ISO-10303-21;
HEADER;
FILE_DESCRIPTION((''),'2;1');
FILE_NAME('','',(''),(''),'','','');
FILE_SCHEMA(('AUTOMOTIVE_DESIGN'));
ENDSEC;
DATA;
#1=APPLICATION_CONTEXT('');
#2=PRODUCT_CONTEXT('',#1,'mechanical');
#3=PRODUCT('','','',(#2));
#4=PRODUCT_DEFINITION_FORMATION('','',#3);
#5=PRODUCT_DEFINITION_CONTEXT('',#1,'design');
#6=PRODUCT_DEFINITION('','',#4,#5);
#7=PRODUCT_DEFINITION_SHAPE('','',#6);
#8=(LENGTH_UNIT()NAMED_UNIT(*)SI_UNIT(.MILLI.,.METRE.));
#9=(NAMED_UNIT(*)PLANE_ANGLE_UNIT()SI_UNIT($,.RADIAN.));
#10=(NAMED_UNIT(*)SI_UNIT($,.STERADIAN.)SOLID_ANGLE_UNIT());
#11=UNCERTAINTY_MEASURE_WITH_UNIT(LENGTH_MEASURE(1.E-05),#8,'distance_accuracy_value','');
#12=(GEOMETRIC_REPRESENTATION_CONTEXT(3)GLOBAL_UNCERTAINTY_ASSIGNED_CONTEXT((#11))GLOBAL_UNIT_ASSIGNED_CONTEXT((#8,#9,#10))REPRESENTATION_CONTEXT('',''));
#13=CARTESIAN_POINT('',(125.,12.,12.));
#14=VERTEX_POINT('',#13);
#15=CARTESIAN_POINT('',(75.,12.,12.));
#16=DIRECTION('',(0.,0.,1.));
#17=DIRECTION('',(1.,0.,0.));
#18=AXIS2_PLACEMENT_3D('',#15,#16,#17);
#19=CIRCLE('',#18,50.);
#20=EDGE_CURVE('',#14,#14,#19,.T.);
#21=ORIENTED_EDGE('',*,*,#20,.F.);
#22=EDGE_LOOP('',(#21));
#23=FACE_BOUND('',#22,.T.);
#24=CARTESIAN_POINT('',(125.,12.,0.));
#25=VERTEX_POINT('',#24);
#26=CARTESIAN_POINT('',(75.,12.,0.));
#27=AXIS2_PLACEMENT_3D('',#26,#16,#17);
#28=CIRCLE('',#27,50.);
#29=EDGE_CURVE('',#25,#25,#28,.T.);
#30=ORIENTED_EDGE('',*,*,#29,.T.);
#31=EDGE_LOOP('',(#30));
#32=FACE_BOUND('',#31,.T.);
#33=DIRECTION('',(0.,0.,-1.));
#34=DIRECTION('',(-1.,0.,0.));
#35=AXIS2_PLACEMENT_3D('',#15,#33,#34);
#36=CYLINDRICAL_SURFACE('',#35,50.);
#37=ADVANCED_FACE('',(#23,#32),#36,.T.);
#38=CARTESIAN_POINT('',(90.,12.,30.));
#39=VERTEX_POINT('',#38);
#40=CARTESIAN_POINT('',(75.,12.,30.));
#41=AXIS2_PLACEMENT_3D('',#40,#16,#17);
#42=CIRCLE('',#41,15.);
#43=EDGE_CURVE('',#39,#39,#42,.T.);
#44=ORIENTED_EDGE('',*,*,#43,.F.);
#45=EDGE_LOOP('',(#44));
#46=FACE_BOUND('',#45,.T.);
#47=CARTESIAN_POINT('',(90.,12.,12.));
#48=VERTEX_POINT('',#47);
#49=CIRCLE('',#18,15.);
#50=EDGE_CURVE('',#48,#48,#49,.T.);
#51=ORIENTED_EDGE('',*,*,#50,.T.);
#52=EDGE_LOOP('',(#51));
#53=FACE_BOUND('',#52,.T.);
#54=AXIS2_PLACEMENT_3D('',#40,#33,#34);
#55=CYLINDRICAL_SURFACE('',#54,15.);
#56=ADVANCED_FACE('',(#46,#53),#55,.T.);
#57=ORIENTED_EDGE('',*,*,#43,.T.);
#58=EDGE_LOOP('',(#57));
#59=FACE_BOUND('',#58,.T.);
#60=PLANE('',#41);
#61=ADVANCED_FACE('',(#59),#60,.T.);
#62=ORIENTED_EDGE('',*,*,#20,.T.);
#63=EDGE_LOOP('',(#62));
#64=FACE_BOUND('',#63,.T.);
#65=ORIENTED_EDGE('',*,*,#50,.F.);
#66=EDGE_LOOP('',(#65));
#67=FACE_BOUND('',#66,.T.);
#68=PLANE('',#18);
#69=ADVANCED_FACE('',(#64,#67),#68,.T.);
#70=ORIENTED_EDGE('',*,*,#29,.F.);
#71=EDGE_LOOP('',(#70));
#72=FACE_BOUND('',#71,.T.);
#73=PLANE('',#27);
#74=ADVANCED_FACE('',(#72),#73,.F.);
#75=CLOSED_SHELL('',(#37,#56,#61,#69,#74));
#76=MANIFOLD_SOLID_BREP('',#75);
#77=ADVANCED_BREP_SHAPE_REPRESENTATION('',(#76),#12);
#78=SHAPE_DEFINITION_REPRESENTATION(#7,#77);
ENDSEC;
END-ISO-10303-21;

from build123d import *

# Parameters (mm, degrees)
SKETCH_3_R      = 50
BASEDISC_DEPTH  = 12
SKETCH_4_R      = 15
PIVOTBOSS_DEPTH = 18


with BuildPart() as part:
    # 草图3 → BaseDisc (new body)
    with BuildSketch(Plane.XY):
        with Locations((75, 12)):
            Circle(SKETCH_3_R)
    extrude(amount=BASEDISC_DEPTH)

    # 草图4 → PivotBoss (add)
    with BuildSketch(Plane.XY.offset(12)):
        with Locations((75, 12)):
            Circle(SKETCH_4_R)
    extrude(amount=PIVOTBOSS_DEPTH)


solid = part.part
